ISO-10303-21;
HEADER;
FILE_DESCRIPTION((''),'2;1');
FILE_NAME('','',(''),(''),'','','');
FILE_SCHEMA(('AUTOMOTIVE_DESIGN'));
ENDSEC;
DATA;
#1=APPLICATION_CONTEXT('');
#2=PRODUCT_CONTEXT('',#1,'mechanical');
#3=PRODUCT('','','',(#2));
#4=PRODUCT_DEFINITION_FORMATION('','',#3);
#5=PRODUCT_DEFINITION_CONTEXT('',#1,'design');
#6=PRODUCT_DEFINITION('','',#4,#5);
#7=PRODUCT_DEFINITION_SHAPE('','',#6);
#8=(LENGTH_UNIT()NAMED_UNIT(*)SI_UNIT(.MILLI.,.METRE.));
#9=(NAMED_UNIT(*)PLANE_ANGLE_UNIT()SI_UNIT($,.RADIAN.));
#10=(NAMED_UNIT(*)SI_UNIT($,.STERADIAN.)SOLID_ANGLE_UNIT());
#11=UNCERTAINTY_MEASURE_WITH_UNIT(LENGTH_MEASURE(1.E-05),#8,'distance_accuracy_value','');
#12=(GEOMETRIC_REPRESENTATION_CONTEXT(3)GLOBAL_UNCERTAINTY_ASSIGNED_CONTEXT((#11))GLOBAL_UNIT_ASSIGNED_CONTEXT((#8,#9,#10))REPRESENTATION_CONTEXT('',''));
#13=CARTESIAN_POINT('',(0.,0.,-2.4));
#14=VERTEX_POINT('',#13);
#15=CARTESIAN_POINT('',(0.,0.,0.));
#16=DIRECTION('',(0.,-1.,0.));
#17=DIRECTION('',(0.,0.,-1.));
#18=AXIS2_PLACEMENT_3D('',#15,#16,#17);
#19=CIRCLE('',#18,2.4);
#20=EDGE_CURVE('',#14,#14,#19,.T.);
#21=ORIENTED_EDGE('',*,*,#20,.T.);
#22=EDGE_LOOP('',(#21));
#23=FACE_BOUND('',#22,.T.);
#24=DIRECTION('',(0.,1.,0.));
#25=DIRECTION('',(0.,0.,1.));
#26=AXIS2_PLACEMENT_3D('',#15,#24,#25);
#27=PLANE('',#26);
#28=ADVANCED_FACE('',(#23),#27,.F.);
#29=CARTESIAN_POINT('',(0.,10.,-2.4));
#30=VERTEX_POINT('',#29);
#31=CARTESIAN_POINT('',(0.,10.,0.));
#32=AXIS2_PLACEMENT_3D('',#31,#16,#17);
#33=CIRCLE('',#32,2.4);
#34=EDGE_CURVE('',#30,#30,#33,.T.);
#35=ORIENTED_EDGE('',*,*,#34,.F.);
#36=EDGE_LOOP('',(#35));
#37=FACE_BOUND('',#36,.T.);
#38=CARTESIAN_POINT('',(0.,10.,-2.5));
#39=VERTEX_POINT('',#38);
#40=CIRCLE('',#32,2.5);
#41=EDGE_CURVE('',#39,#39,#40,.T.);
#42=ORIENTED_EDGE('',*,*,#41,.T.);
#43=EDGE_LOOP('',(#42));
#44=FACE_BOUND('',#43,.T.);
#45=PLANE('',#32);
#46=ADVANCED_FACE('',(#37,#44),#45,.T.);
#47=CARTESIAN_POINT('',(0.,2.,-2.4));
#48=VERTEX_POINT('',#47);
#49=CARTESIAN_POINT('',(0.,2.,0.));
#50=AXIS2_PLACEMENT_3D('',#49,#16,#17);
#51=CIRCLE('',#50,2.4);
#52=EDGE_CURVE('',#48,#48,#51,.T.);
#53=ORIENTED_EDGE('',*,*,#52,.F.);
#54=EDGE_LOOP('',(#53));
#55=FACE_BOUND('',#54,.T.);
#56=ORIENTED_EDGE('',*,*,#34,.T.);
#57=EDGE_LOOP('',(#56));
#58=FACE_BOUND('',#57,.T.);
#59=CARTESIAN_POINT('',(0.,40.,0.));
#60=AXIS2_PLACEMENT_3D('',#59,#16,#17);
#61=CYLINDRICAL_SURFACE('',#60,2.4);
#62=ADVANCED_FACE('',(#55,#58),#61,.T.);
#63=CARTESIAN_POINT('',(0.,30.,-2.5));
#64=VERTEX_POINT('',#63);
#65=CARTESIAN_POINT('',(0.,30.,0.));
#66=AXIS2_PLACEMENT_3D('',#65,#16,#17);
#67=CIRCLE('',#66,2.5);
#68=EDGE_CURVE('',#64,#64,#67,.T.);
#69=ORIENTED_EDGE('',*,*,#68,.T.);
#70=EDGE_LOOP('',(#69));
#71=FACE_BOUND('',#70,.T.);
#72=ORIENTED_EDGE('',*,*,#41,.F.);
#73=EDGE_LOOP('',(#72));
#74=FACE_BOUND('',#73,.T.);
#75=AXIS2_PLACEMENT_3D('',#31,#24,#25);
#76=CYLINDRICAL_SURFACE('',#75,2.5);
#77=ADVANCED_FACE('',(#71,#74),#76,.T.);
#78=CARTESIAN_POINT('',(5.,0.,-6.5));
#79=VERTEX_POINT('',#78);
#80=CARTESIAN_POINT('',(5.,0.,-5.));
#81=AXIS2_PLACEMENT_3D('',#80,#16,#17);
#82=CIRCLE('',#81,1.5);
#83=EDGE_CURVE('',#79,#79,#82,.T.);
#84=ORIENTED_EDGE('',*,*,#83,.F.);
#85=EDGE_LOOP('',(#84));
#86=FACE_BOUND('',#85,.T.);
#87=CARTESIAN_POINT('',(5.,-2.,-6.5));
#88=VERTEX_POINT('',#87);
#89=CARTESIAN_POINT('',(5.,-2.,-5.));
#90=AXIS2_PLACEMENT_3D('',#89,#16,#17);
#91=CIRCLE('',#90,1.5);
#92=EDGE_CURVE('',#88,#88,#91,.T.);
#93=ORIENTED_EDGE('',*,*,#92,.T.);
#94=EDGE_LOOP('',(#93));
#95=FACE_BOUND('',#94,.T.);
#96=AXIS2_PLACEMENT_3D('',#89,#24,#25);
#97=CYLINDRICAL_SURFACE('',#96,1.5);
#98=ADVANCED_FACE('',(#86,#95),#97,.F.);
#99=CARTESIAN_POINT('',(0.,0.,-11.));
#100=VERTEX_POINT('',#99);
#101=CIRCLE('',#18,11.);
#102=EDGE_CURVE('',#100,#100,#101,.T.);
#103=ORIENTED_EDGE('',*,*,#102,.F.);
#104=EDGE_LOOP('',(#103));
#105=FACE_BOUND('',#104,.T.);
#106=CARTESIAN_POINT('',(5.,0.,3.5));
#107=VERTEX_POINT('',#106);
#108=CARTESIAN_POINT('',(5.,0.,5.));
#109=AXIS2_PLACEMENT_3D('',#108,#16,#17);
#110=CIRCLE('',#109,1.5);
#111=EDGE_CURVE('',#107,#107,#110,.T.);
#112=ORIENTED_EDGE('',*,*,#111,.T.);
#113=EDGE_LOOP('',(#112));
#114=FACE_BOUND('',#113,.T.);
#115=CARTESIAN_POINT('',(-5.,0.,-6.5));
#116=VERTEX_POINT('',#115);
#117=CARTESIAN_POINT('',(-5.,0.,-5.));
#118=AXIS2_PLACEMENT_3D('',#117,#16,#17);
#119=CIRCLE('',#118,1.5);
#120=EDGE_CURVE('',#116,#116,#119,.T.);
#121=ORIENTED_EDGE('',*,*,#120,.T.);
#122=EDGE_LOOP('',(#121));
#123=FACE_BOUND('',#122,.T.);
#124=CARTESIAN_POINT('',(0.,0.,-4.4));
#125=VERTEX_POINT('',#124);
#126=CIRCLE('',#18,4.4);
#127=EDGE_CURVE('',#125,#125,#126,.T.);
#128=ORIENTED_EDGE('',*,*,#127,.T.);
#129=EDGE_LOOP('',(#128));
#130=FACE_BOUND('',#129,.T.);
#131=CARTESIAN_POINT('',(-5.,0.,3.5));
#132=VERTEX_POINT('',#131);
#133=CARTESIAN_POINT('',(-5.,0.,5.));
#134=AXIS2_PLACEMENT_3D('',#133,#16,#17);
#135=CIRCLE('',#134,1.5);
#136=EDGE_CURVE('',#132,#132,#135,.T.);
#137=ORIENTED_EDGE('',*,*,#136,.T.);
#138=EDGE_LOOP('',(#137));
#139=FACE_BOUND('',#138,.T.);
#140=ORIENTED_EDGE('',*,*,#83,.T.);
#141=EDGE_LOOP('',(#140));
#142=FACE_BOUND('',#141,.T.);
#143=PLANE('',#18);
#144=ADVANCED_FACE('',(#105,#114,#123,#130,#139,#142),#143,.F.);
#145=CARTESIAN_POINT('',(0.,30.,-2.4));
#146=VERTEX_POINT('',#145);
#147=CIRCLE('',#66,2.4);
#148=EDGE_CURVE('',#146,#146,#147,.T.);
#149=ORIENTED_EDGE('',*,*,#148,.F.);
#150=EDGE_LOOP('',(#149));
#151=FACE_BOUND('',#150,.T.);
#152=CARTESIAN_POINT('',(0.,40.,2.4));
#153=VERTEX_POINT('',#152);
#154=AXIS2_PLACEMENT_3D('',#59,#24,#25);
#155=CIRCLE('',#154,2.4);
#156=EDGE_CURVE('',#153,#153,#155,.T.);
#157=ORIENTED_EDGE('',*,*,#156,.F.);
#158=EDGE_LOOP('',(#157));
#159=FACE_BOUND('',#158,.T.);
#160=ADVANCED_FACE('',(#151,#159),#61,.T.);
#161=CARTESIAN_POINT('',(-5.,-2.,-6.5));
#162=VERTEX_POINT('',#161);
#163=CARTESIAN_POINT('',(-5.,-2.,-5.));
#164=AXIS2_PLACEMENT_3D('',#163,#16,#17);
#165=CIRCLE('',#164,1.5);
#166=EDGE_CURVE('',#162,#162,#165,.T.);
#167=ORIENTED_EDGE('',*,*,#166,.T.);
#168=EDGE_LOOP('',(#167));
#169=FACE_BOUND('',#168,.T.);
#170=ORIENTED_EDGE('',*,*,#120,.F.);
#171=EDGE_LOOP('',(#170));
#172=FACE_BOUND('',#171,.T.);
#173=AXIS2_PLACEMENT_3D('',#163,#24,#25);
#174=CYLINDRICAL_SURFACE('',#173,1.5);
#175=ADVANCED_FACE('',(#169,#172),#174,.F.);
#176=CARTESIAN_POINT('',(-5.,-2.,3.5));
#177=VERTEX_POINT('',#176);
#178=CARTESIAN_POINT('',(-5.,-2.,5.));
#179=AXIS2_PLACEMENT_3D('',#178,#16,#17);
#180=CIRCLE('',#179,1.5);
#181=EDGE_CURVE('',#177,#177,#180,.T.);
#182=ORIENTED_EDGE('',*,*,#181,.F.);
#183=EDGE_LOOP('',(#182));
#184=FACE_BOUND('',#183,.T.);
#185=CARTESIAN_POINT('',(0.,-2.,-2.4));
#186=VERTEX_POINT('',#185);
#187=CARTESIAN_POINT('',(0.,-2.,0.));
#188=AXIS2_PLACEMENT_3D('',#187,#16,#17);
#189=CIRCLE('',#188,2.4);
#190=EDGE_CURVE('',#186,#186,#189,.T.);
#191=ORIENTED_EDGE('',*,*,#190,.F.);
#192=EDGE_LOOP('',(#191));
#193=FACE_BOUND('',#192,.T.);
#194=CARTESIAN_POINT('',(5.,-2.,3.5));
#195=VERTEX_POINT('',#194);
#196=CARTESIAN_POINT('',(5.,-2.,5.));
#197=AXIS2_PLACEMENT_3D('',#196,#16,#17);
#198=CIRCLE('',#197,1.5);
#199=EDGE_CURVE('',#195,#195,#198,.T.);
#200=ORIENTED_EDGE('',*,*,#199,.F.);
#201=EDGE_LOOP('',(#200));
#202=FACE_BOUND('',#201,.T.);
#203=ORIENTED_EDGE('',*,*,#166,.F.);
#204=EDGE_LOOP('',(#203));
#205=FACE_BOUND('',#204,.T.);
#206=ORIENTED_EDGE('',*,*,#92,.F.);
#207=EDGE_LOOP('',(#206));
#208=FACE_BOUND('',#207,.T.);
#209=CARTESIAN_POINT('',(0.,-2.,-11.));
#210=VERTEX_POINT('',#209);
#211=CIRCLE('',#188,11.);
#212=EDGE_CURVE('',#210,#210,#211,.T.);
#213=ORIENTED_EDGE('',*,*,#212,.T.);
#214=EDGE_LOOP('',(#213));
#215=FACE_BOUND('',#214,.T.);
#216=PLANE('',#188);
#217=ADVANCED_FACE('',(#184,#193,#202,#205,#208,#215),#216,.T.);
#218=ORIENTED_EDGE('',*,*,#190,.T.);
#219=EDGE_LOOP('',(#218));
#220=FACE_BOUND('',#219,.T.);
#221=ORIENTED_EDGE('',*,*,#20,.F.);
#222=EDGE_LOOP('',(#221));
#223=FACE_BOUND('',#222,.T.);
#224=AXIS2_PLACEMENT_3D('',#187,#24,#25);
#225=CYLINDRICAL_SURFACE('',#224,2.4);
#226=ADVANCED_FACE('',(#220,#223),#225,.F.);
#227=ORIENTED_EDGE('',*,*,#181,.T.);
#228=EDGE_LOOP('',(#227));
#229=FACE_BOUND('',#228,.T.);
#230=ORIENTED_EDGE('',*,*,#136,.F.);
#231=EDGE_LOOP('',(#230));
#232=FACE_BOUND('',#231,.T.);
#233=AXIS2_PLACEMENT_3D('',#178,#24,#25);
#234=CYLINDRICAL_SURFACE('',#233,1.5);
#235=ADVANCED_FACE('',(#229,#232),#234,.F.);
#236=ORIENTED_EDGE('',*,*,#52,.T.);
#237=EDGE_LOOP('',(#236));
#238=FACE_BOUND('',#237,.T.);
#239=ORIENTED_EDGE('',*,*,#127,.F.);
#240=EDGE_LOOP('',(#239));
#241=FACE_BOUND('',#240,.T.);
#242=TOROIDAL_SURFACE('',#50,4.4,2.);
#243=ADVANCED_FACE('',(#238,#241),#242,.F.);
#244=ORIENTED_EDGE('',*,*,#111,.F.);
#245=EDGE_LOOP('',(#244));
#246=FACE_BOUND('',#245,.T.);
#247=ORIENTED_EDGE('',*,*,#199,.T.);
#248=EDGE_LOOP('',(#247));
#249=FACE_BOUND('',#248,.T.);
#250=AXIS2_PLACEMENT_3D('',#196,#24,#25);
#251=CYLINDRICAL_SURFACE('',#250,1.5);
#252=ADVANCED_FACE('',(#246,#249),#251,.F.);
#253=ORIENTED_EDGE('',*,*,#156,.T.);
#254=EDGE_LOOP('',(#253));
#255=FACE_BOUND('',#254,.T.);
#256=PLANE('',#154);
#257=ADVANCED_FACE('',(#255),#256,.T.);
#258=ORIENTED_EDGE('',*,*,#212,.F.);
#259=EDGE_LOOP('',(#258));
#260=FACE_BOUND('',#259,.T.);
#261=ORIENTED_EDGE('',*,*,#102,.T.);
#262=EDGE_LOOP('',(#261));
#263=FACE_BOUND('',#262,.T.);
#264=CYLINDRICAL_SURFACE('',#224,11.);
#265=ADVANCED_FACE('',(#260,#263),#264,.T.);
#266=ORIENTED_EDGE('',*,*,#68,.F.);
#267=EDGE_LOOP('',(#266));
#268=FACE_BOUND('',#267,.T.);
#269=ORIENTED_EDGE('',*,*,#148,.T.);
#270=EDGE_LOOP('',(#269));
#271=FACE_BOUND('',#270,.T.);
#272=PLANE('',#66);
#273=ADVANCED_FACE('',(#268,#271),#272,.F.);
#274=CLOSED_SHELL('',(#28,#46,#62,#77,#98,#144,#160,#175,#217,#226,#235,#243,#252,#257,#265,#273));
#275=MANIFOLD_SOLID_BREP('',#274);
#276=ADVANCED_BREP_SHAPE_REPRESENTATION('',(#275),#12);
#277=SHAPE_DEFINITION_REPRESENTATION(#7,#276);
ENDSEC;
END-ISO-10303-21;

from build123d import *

# Parameters (mm, degrees)
SKETCH_1_R      = 2.4
EXTRUDE_1_DEPTH = 40
SKETCH_2_R      = 2.5
EXTRUDE_2_DEPTH = 10
SKETCH_3_R      = 11
SKETCH_3_R_2    = 1.5
SKETCH_3_R_3    = 2.4
EXTRUDE_3_DEPTH = 2


with BuildPart() as part:
    # 草图1 → 凸台-拉伸1 (new body)
    with BuildSketch(Plane(origin=(0, 0, 0), x_dir=(1, 0, 0), z_dir=(0, 1, 0))):
        with Locations(Location((0, 0, 0), (0, 0, 270))):
            Circle(SKETCH_1_R)
    extrude(amount=EXTRUDE_1_DEPTH)

    # 草图2 → 凸台-拉伸2 (add, symmetric)
    with BuildSketch(Plane(origin=(0, 20, 0), x_dir=(-1, 0, 0), z_dir=(0, -1, 0))):
        with Locations(Location((0, 0, 0), (0, 0, 90))):
            Circle(SKETCH_2_R)
    extrude(amount=EXTRUDE_2_DEPTH, both=True)



with BuildPart() as body_2:
    # 草图3 → 凸台-拉伸3 (new body)
    with BuildSketch(Plane.XZ):
        with Locations(Location((0, 0, 0), (0, 0, 270))):
            Circle(SKETCH_3_R)
        with Locations(Location((-5, -5, 0), (0, 0, 270))):
            Circle(SKETCH_3_R_2, mode=Mode.SUBTRACT)
        with Locations(Location((-5, 5, 0), (0, 0, 270))):
            Circle(SKETCH_3_R_2, mode=Mode.SUBTRACT)
        with Locations(Location((5, 5, 0), (0, 0, 270))):
            Circle(SKETCH_3_R_2, mode=Mode.SUBTRACT)
        with Locations(Location((5, -5, 0), (0, 0, 270))):
            Circle(SKETCH_3_R_2, mode=Mode.SUBTRACT)
        with Locations(Location((0, 0, 0), (0, 0, 270))):
            Circle(SKETCH_3_R_3, mode=Mode.SUBTRACT)
    extrude(amount=EXTRUDE_3_DEPTH)


with BuildPart() as part_1:
    add(part.part)

    add(body_2.part)  # 旋转3 merges body 2
    # 草图4 → 旋转3 (revolve)
    with BuildSketch(Plane(origin=(0, 0, 0), x_dir=(0, 0, -1), z_dir=(1, 0, 0)), mode=Mode.PRIVATE) as revolve_3_sk:
        with BuildLine():
            Line((-2.4, 0), (-4.4, 0))
            ThreePointArc((-4.4, 0), (-2.985786438, 0.585786438), (-2.4, 2))
            Line((-2.4, 2), (-2.4, 0))
        make_face()
    revolve(revolve_3_sk.sketch.rotate(Axis((0, -1000, 0), (0, 1, 0)), 180), axis=Axis((0, -1000, 0), (0, 1, 0)))


solid = part_1.part
